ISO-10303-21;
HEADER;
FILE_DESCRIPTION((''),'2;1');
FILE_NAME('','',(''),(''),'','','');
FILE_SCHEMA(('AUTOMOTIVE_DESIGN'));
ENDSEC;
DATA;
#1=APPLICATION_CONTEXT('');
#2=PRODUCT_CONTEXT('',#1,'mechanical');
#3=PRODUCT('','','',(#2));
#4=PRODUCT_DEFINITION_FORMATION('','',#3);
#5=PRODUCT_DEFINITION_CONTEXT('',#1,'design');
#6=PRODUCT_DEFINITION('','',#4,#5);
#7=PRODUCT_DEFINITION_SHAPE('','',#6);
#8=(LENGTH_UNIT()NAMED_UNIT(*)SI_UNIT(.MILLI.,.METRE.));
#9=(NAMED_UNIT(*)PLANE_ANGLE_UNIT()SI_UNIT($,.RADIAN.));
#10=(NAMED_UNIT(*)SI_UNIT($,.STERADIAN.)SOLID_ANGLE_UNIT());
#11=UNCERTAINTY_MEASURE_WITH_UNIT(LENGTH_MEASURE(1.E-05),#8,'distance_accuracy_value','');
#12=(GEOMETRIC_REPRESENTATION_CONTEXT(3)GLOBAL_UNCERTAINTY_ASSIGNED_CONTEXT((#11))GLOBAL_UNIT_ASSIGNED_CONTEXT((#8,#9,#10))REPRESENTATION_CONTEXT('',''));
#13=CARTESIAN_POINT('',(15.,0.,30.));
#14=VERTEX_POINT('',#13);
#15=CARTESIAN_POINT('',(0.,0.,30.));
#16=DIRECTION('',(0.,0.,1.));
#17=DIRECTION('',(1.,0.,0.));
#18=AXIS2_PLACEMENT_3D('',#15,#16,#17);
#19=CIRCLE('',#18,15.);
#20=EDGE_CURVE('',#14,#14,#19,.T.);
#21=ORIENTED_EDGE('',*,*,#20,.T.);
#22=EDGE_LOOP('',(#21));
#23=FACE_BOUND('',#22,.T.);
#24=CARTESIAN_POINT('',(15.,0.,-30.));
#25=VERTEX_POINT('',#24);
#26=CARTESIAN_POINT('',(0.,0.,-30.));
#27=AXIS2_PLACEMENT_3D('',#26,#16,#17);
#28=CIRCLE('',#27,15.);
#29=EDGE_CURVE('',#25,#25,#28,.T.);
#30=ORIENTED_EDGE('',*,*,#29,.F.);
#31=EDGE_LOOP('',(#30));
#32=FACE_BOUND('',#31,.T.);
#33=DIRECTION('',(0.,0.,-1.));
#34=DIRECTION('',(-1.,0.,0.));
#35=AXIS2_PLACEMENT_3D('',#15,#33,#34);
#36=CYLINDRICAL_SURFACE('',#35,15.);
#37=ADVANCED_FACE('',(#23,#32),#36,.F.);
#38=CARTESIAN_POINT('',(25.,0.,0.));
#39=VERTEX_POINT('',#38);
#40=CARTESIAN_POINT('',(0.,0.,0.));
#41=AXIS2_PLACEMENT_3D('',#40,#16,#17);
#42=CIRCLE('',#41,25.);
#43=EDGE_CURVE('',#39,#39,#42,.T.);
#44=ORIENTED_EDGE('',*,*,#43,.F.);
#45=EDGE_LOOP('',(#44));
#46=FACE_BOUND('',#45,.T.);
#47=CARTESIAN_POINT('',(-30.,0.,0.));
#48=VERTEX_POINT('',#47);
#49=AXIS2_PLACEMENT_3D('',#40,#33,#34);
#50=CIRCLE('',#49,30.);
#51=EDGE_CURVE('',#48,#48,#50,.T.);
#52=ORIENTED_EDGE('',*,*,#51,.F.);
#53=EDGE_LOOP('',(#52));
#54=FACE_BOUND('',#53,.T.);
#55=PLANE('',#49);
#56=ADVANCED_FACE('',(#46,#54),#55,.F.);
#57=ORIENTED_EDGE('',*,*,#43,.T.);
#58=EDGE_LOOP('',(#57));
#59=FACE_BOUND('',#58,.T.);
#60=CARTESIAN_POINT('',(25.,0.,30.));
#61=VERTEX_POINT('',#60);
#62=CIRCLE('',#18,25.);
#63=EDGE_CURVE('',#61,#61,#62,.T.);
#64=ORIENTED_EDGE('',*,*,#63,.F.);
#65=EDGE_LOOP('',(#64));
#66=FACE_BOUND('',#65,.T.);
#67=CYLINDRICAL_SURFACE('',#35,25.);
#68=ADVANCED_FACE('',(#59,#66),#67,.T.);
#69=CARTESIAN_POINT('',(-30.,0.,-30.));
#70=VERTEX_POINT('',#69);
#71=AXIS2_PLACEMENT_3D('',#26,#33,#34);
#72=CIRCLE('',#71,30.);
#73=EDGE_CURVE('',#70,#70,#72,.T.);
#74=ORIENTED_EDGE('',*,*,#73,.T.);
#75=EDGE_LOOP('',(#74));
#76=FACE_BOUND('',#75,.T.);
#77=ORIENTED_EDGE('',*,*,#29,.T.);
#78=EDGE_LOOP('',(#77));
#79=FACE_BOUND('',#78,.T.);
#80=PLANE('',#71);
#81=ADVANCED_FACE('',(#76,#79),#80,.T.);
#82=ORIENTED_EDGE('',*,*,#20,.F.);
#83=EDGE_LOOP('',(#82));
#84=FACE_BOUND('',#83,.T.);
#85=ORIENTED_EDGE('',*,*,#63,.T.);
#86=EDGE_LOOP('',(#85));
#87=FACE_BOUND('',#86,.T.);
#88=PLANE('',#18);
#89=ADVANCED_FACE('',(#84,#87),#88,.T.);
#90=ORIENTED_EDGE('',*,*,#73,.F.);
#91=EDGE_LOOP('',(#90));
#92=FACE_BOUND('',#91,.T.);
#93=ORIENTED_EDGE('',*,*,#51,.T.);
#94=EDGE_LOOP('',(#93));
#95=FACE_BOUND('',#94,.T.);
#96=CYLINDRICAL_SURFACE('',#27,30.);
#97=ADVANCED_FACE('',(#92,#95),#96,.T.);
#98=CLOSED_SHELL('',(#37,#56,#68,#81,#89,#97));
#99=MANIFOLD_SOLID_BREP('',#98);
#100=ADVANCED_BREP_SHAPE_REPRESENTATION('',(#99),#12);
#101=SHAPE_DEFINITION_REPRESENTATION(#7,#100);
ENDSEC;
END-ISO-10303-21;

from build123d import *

# Parameters (mm, degrees)
SKETCH1_R           = 25
SKETCH1_R_2         = 15
BOSS_EXTRUDE1_DEPTH = 30
SKETCH2_R           = 30
BOSS_EXTRUDE2_DEPTH = 30
CUT_EXTRUDE1_START  = -30
SKETCH3_R           = 15
CUT_EXTRUDE1_DEPTH  = 30


with BuildPart() as part:
    # Sketch1 → Boss-Extrude1 (new body)
    with BuildSketch(Plane.XY):
        Circle(SKETCH1_R)
        Circle(SKETCH1_R_2, mode=Mode.SUBTRACT)
    extrude(amount=BOSS_EXTRUDE1_DEPTH)

    # Sketch2 → Boss-Extrude2 (add)
    with BuildSketch(Plane(origin=(0, 0, 0), x_dir=(-1, 0, 0), z_dir=(0, 0, -1))):
        Circle(SKETCH2_R)
    extrude(amount=BOSS_EXTRUDE2_DEPTH)

    # Sketch3 → Cut-Extrude1 (cut)
    with BuildSketch(Plane.XY.offset(CUT_EXTRUDE1_START)):
        Circle(SKETCH3_R)
    extrude(amount=CUT_EXTRUDE1_DEPTH, mode=Mode.SUBTRACT)


solid = part.part
